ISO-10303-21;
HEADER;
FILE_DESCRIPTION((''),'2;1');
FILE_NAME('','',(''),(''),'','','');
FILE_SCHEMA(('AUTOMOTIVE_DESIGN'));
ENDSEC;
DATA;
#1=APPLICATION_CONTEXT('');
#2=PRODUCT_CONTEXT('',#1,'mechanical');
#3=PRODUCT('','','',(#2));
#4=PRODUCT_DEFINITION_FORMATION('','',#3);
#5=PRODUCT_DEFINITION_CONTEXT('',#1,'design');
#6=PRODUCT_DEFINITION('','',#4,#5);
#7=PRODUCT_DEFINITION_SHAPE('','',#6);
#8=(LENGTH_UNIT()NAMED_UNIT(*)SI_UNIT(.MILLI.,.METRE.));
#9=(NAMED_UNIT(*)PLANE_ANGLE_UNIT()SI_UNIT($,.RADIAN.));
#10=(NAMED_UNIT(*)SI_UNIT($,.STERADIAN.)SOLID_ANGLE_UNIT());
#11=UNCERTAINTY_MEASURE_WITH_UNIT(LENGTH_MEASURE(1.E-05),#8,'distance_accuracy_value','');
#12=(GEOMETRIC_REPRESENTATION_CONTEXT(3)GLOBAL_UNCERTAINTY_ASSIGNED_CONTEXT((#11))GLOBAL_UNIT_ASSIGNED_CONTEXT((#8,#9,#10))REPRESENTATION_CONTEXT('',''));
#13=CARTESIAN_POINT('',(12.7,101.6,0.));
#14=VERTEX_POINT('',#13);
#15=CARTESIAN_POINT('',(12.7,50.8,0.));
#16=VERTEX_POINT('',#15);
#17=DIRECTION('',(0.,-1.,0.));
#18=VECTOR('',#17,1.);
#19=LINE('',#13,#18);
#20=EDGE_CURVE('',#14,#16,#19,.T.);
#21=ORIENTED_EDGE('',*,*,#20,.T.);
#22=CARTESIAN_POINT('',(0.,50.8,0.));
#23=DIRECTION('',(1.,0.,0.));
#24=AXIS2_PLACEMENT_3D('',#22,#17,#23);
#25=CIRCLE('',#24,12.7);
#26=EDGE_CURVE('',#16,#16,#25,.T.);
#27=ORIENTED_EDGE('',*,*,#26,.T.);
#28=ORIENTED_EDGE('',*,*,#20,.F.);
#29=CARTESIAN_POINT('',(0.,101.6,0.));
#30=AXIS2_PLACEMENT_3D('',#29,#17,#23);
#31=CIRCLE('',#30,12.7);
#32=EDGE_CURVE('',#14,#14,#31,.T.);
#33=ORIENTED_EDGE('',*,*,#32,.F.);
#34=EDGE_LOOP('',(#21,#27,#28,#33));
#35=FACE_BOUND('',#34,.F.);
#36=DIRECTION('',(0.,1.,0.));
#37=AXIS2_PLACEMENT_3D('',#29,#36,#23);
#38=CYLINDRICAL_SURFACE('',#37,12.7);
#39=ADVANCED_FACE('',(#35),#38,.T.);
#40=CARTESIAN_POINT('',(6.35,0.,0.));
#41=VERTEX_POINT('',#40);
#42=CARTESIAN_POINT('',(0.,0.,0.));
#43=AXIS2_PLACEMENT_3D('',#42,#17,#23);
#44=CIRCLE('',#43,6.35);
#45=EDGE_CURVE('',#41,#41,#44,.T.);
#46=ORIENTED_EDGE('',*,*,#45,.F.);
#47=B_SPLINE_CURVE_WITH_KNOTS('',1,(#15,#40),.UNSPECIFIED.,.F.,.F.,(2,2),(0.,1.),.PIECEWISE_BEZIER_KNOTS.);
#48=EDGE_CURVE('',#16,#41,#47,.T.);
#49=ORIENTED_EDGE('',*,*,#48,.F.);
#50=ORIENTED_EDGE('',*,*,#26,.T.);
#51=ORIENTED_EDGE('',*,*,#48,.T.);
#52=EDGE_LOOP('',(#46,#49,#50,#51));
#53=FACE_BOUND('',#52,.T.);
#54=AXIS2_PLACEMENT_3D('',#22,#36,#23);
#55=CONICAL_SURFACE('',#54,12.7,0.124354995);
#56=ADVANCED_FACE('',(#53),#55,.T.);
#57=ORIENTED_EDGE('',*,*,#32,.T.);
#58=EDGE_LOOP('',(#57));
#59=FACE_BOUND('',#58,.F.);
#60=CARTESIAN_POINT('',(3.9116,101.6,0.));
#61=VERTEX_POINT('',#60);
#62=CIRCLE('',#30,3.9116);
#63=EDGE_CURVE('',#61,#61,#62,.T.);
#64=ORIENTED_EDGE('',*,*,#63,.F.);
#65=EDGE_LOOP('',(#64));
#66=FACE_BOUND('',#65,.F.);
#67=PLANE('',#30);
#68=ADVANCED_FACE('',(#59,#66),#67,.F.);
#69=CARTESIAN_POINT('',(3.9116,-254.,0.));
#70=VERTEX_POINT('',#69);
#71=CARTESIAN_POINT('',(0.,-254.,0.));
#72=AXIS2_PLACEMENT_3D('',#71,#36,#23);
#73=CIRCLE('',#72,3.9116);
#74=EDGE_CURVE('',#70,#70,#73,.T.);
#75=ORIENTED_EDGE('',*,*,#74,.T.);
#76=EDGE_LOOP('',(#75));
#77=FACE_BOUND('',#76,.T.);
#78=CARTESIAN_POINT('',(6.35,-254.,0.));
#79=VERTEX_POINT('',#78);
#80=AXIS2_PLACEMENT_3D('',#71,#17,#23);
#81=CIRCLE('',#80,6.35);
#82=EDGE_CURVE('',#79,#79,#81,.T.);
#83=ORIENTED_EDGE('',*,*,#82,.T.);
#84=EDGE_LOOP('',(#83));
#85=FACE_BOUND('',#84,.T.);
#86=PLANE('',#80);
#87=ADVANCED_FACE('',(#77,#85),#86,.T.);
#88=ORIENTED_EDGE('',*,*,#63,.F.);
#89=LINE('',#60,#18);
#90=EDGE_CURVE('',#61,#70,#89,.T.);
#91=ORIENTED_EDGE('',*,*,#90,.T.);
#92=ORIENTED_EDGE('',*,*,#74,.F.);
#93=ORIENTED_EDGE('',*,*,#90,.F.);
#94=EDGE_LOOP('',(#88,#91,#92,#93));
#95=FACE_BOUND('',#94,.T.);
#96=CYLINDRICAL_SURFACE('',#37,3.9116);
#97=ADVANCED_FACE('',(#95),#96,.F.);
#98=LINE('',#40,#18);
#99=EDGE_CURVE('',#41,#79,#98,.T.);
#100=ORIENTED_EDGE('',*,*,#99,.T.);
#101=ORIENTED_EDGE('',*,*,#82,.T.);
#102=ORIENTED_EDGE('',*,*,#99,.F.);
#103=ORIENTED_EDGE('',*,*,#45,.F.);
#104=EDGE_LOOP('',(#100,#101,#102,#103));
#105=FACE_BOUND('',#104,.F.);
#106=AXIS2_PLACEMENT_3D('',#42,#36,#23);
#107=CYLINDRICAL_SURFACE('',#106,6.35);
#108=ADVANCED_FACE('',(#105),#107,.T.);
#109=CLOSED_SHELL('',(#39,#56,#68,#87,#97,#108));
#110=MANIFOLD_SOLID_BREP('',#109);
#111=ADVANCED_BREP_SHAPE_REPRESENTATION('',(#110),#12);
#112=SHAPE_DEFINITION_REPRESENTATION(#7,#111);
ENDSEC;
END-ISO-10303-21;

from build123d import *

# Parameters (mm, degrees)
F0_R     = 6.35
F1_DEPTH = 254
F5_R     = 12.7
F6_DEPTH = 50.8
F4_R     = 12.7
F8_R     = 3.9116
F9_DEPTH = 406.4


with BuildPart() as f1:
    # F0 (on Front) → F1 (new body)
    with BuildSketch(Plane.XZ):
        Circle(F0_R)
    extrude(amount=F1_DEPTH)



with BuildPart() as f6:
    # F5 (on offset) → F6 (new body)
    with BuildSketch(Plane.XZ.offset(-101.6)):
        Circle(F5_R)
    extrude(amount=F6_DEPTH)


with BuildPart() as f1_1:
    add(f1.part)

    add(f6.part)  # F7 merges F6
    # F4 (on offset) → F7 section 0
    with BuildSketch(Plane.XZ.offset(-50.8)):
        Circle(F4_R)
    # F0 (on Front) → F7 section 1
    with BuildSketch(Plane.XZ):
        Circle(F0_R)
    loft()

    # F8 (on face) → F9 (cut)
    with BuildSketch(Plane.XZ.offset(-101.6)):
        Circle(F8_R)
    extrude(amount=F9_DEPTH, mode=Mode.SUBTRACT)


solid = f1_1.part
